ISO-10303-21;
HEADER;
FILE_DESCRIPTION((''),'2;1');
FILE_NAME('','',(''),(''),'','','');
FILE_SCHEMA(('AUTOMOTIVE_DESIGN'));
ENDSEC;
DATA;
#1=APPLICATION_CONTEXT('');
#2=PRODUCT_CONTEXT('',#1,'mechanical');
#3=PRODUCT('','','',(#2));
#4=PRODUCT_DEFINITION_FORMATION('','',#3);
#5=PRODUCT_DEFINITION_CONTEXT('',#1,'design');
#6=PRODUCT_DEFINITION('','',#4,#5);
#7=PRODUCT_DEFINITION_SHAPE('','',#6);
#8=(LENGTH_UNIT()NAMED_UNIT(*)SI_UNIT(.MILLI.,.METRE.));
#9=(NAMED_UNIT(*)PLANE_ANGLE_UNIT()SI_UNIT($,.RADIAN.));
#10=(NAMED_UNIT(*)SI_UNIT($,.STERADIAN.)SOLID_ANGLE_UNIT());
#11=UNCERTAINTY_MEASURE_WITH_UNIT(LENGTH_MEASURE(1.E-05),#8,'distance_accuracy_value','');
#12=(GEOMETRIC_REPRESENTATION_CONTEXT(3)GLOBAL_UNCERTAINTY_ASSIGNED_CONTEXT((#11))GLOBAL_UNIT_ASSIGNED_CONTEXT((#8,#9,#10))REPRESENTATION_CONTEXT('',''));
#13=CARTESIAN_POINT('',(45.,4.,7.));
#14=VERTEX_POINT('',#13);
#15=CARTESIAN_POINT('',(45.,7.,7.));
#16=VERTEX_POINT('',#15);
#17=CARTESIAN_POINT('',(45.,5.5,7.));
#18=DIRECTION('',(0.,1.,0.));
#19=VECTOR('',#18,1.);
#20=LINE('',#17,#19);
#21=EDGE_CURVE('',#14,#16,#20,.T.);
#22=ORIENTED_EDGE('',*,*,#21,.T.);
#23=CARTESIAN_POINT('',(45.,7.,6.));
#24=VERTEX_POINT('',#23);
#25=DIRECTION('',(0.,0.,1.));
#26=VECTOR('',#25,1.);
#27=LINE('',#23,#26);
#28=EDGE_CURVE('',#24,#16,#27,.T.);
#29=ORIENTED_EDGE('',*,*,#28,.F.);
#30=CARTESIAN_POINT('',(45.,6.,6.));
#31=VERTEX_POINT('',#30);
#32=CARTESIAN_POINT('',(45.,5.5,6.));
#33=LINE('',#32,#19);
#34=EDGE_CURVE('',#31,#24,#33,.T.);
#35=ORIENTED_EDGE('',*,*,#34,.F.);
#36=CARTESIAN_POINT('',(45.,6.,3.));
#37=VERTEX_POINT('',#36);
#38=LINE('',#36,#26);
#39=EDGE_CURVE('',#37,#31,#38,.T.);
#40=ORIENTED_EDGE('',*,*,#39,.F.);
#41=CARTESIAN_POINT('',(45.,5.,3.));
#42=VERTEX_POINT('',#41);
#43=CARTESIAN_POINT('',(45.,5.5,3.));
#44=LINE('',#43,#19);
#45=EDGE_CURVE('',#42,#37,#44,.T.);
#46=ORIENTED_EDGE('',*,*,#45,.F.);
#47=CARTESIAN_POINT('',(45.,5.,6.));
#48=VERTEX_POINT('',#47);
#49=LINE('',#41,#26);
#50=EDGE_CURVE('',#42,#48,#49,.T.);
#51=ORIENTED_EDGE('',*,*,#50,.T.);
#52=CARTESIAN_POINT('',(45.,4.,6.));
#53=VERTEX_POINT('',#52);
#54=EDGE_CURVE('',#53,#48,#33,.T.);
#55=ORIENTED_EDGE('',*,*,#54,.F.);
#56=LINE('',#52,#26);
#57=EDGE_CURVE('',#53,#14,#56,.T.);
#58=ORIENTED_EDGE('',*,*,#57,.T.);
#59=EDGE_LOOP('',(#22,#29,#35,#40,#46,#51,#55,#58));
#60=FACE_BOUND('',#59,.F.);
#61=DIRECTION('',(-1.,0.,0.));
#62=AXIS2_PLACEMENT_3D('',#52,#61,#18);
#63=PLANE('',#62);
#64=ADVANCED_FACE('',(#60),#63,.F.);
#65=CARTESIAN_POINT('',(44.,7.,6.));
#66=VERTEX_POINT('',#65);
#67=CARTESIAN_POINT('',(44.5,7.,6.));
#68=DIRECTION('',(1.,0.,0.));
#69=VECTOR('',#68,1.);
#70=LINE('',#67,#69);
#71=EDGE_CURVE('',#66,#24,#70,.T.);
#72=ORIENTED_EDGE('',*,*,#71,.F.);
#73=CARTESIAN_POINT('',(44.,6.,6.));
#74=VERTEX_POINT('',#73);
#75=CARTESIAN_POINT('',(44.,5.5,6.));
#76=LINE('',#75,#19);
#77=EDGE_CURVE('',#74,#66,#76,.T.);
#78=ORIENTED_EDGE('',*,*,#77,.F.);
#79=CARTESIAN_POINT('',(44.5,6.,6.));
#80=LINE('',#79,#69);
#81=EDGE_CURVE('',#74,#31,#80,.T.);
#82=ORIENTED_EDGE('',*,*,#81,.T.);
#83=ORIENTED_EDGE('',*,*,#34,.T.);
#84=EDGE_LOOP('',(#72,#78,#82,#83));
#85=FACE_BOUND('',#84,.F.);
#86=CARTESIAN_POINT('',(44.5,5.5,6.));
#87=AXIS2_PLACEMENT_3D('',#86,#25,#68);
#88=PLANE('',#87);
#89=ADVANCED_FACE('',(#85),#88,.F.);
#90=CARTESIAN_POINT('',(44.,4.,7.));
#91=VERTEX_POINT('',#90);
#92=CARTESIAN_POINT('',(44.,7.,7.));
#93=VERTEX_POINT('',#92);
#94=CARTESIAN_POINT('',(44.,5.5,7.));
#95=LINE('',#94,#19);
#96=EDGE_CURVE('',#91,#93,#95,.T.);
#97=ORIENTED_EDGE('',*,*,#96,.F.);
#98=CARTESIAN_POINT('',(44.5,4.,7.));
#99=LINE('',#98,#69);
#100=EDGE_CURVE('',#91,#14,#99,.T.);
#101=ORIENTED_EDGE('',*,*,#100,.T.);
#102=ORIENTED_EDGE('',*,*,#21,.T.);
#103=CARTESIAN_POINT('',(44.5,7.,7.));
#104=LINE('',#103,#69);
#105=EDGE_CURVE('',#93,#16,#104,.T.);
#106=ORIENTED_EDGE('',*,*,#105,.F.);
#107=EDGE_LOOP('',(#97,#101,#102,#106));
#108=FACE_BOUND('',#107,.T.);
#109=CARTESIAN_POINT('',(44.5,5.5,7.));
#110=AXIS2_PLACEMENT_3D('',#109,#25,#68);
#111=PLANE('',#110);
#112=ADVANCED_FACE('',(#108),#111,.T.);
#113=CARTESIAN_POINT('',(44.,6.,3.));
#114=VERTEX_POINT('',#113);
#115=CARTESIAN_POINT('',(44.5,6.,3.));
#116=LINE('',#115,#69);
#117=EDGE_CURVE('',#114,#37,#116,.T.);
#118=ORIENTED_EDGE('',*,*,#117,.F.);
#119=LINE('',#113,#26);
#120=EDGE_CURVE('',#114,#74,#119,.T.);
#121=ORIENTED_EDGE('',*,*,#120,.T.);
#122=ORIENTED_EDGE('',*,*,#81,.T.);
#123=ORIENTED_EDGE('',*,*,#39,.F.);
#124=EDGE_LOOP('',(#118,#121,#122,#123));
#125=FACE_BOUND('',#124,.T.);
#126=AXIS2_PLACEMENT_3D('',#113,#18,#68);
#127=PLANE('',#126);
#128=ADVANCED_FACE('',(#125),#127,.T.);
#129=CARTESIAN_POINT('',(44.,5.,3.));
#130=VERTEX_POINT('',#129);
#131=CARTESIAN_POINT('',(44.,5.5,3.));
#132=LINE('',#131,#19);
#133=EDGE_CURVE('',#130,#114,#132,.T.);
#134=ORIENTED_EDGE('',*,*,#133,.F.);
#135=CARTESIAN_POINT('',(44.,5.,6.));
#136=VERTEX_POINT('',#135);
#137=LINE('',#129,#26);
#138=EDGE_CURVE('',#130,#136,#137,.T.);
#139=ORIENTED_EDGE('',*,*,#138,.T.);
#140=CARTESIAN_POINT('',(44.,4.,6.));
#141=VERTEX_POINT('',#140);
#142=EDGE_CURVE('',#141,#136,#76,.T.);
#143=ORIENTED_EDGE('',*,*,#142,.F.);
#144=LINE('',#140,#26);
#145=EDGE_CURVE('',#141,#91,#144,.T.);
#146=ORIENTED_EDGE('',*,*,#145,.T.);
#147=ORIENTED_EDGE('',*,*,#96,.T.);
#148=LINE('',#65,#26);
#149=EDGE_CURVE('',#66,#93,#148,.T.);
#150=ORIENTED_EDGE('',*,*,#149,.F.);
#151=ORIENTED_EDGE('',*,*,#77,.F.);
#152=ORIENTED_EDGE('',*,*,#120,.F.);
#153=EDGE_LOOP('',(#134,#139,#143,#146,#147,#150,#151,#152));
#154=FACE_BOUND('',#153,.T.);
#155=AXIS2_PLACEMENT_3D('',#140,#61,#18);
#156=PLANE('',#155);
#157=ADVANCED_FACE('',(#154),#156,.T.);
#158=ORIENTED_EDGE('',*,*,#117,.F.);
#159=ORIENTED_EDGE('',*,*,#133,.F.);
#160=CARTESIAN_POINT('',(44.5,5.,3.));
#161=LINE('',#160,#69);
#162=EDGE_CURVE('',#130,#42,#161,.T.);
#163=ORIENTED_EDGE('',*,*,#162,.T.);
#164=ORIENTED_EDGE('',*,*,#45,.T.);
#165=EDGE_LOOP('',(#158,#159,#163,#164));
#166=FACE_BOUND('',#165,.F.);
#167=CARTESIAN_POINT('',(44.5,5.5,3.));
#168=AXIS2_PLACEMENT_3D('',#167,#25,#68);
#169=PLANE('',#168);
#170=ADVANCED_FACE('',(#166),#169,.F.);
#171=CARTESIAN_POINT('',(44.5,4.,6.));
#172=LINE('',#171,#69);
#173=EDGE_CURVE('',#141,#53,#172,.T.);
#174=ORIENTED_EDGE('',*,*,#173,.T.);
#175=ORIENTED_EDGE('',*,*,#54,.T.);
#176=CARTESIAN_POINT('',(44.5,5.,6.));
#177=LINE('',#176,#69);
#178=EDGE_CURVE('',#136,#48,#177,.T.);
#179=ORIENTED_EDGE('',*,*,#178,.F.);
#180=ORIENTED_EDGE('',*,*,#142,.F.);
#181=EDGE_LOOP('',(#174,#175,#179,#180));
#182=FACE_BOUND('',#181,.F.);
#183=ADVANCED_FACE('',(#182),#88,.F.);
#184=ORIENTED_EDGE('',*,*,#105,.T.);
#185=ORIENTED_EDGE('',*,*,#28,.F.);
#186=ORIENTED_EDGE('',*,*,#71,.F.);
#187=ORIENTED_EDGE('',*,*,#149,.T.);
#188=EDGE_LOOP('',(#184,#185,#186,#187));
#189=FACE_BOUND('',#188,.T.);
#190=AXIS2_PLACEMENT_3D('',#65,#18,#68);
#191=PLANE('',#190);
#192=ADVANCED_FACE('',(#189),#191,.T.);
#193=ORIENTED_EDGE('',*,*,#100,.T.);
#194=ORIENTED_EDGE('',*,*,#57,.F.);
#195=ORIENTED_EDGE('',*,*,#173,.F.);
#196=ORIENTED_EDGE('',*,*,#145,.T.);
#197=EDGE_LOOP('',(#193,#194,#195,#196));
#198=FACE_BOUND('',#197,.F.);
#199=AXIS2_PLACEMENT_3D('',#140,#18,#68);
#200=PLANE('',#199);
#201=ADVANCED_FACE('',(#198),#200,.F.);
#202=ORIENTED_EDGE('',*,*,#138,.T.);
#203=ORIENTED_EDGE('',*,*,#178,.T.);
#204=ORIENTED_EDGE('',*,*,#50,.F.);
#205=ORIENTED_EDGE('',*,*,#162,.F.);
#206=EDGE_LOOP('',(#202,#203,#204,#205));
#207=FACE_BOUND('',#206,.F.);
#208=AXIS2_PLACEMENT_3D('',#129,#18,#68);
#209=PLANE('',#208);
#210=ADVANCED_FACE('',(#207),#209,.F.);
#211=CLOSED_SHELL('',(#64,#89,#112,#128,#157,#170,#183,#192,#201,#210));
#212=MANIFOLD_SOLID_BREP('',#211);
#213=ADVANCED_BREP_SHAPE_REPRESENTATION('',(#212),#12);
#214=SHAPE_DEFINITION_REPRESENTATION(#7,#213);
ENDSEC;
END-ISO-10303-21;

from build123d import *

# Parameters (mm, degrees)
BOX078_W     = 1
BOX078_H     = 3
BOX078_DEPTH = 1
BOX080_W     = 1
BOX080_H     = 1
BOX080_DEPTH = 3


with BuildPart() as box078:
    # Box078 → Box078 (new body)
    with BuildSketch(Plane(origin=(44, 4, 6), x_dir=(1, 0, 0), z_dir=(0, 0, 1))):
        with Locations((0.5, 1.5)):
            Rectangle(BOX078_W, BOX078_H)
    extrude(amount=BOX078_DEPTH)


with BuildPart() as fusion035:
    # Box080 → Box080 (new body)
    with BuildSketch(Plane(origin=(44, 5, 3), x_dir=(1, 0, 0), z_dir=(0, 0, 1))):
        with Locations((0.5, 0.5)):
            Rectangle(BOX080_W, BOX080_H)
    extrude(amount=BOX080_DEPTH)

    # Fusion035: union Box078
    add(box078.part)


solid = fusion035.part
